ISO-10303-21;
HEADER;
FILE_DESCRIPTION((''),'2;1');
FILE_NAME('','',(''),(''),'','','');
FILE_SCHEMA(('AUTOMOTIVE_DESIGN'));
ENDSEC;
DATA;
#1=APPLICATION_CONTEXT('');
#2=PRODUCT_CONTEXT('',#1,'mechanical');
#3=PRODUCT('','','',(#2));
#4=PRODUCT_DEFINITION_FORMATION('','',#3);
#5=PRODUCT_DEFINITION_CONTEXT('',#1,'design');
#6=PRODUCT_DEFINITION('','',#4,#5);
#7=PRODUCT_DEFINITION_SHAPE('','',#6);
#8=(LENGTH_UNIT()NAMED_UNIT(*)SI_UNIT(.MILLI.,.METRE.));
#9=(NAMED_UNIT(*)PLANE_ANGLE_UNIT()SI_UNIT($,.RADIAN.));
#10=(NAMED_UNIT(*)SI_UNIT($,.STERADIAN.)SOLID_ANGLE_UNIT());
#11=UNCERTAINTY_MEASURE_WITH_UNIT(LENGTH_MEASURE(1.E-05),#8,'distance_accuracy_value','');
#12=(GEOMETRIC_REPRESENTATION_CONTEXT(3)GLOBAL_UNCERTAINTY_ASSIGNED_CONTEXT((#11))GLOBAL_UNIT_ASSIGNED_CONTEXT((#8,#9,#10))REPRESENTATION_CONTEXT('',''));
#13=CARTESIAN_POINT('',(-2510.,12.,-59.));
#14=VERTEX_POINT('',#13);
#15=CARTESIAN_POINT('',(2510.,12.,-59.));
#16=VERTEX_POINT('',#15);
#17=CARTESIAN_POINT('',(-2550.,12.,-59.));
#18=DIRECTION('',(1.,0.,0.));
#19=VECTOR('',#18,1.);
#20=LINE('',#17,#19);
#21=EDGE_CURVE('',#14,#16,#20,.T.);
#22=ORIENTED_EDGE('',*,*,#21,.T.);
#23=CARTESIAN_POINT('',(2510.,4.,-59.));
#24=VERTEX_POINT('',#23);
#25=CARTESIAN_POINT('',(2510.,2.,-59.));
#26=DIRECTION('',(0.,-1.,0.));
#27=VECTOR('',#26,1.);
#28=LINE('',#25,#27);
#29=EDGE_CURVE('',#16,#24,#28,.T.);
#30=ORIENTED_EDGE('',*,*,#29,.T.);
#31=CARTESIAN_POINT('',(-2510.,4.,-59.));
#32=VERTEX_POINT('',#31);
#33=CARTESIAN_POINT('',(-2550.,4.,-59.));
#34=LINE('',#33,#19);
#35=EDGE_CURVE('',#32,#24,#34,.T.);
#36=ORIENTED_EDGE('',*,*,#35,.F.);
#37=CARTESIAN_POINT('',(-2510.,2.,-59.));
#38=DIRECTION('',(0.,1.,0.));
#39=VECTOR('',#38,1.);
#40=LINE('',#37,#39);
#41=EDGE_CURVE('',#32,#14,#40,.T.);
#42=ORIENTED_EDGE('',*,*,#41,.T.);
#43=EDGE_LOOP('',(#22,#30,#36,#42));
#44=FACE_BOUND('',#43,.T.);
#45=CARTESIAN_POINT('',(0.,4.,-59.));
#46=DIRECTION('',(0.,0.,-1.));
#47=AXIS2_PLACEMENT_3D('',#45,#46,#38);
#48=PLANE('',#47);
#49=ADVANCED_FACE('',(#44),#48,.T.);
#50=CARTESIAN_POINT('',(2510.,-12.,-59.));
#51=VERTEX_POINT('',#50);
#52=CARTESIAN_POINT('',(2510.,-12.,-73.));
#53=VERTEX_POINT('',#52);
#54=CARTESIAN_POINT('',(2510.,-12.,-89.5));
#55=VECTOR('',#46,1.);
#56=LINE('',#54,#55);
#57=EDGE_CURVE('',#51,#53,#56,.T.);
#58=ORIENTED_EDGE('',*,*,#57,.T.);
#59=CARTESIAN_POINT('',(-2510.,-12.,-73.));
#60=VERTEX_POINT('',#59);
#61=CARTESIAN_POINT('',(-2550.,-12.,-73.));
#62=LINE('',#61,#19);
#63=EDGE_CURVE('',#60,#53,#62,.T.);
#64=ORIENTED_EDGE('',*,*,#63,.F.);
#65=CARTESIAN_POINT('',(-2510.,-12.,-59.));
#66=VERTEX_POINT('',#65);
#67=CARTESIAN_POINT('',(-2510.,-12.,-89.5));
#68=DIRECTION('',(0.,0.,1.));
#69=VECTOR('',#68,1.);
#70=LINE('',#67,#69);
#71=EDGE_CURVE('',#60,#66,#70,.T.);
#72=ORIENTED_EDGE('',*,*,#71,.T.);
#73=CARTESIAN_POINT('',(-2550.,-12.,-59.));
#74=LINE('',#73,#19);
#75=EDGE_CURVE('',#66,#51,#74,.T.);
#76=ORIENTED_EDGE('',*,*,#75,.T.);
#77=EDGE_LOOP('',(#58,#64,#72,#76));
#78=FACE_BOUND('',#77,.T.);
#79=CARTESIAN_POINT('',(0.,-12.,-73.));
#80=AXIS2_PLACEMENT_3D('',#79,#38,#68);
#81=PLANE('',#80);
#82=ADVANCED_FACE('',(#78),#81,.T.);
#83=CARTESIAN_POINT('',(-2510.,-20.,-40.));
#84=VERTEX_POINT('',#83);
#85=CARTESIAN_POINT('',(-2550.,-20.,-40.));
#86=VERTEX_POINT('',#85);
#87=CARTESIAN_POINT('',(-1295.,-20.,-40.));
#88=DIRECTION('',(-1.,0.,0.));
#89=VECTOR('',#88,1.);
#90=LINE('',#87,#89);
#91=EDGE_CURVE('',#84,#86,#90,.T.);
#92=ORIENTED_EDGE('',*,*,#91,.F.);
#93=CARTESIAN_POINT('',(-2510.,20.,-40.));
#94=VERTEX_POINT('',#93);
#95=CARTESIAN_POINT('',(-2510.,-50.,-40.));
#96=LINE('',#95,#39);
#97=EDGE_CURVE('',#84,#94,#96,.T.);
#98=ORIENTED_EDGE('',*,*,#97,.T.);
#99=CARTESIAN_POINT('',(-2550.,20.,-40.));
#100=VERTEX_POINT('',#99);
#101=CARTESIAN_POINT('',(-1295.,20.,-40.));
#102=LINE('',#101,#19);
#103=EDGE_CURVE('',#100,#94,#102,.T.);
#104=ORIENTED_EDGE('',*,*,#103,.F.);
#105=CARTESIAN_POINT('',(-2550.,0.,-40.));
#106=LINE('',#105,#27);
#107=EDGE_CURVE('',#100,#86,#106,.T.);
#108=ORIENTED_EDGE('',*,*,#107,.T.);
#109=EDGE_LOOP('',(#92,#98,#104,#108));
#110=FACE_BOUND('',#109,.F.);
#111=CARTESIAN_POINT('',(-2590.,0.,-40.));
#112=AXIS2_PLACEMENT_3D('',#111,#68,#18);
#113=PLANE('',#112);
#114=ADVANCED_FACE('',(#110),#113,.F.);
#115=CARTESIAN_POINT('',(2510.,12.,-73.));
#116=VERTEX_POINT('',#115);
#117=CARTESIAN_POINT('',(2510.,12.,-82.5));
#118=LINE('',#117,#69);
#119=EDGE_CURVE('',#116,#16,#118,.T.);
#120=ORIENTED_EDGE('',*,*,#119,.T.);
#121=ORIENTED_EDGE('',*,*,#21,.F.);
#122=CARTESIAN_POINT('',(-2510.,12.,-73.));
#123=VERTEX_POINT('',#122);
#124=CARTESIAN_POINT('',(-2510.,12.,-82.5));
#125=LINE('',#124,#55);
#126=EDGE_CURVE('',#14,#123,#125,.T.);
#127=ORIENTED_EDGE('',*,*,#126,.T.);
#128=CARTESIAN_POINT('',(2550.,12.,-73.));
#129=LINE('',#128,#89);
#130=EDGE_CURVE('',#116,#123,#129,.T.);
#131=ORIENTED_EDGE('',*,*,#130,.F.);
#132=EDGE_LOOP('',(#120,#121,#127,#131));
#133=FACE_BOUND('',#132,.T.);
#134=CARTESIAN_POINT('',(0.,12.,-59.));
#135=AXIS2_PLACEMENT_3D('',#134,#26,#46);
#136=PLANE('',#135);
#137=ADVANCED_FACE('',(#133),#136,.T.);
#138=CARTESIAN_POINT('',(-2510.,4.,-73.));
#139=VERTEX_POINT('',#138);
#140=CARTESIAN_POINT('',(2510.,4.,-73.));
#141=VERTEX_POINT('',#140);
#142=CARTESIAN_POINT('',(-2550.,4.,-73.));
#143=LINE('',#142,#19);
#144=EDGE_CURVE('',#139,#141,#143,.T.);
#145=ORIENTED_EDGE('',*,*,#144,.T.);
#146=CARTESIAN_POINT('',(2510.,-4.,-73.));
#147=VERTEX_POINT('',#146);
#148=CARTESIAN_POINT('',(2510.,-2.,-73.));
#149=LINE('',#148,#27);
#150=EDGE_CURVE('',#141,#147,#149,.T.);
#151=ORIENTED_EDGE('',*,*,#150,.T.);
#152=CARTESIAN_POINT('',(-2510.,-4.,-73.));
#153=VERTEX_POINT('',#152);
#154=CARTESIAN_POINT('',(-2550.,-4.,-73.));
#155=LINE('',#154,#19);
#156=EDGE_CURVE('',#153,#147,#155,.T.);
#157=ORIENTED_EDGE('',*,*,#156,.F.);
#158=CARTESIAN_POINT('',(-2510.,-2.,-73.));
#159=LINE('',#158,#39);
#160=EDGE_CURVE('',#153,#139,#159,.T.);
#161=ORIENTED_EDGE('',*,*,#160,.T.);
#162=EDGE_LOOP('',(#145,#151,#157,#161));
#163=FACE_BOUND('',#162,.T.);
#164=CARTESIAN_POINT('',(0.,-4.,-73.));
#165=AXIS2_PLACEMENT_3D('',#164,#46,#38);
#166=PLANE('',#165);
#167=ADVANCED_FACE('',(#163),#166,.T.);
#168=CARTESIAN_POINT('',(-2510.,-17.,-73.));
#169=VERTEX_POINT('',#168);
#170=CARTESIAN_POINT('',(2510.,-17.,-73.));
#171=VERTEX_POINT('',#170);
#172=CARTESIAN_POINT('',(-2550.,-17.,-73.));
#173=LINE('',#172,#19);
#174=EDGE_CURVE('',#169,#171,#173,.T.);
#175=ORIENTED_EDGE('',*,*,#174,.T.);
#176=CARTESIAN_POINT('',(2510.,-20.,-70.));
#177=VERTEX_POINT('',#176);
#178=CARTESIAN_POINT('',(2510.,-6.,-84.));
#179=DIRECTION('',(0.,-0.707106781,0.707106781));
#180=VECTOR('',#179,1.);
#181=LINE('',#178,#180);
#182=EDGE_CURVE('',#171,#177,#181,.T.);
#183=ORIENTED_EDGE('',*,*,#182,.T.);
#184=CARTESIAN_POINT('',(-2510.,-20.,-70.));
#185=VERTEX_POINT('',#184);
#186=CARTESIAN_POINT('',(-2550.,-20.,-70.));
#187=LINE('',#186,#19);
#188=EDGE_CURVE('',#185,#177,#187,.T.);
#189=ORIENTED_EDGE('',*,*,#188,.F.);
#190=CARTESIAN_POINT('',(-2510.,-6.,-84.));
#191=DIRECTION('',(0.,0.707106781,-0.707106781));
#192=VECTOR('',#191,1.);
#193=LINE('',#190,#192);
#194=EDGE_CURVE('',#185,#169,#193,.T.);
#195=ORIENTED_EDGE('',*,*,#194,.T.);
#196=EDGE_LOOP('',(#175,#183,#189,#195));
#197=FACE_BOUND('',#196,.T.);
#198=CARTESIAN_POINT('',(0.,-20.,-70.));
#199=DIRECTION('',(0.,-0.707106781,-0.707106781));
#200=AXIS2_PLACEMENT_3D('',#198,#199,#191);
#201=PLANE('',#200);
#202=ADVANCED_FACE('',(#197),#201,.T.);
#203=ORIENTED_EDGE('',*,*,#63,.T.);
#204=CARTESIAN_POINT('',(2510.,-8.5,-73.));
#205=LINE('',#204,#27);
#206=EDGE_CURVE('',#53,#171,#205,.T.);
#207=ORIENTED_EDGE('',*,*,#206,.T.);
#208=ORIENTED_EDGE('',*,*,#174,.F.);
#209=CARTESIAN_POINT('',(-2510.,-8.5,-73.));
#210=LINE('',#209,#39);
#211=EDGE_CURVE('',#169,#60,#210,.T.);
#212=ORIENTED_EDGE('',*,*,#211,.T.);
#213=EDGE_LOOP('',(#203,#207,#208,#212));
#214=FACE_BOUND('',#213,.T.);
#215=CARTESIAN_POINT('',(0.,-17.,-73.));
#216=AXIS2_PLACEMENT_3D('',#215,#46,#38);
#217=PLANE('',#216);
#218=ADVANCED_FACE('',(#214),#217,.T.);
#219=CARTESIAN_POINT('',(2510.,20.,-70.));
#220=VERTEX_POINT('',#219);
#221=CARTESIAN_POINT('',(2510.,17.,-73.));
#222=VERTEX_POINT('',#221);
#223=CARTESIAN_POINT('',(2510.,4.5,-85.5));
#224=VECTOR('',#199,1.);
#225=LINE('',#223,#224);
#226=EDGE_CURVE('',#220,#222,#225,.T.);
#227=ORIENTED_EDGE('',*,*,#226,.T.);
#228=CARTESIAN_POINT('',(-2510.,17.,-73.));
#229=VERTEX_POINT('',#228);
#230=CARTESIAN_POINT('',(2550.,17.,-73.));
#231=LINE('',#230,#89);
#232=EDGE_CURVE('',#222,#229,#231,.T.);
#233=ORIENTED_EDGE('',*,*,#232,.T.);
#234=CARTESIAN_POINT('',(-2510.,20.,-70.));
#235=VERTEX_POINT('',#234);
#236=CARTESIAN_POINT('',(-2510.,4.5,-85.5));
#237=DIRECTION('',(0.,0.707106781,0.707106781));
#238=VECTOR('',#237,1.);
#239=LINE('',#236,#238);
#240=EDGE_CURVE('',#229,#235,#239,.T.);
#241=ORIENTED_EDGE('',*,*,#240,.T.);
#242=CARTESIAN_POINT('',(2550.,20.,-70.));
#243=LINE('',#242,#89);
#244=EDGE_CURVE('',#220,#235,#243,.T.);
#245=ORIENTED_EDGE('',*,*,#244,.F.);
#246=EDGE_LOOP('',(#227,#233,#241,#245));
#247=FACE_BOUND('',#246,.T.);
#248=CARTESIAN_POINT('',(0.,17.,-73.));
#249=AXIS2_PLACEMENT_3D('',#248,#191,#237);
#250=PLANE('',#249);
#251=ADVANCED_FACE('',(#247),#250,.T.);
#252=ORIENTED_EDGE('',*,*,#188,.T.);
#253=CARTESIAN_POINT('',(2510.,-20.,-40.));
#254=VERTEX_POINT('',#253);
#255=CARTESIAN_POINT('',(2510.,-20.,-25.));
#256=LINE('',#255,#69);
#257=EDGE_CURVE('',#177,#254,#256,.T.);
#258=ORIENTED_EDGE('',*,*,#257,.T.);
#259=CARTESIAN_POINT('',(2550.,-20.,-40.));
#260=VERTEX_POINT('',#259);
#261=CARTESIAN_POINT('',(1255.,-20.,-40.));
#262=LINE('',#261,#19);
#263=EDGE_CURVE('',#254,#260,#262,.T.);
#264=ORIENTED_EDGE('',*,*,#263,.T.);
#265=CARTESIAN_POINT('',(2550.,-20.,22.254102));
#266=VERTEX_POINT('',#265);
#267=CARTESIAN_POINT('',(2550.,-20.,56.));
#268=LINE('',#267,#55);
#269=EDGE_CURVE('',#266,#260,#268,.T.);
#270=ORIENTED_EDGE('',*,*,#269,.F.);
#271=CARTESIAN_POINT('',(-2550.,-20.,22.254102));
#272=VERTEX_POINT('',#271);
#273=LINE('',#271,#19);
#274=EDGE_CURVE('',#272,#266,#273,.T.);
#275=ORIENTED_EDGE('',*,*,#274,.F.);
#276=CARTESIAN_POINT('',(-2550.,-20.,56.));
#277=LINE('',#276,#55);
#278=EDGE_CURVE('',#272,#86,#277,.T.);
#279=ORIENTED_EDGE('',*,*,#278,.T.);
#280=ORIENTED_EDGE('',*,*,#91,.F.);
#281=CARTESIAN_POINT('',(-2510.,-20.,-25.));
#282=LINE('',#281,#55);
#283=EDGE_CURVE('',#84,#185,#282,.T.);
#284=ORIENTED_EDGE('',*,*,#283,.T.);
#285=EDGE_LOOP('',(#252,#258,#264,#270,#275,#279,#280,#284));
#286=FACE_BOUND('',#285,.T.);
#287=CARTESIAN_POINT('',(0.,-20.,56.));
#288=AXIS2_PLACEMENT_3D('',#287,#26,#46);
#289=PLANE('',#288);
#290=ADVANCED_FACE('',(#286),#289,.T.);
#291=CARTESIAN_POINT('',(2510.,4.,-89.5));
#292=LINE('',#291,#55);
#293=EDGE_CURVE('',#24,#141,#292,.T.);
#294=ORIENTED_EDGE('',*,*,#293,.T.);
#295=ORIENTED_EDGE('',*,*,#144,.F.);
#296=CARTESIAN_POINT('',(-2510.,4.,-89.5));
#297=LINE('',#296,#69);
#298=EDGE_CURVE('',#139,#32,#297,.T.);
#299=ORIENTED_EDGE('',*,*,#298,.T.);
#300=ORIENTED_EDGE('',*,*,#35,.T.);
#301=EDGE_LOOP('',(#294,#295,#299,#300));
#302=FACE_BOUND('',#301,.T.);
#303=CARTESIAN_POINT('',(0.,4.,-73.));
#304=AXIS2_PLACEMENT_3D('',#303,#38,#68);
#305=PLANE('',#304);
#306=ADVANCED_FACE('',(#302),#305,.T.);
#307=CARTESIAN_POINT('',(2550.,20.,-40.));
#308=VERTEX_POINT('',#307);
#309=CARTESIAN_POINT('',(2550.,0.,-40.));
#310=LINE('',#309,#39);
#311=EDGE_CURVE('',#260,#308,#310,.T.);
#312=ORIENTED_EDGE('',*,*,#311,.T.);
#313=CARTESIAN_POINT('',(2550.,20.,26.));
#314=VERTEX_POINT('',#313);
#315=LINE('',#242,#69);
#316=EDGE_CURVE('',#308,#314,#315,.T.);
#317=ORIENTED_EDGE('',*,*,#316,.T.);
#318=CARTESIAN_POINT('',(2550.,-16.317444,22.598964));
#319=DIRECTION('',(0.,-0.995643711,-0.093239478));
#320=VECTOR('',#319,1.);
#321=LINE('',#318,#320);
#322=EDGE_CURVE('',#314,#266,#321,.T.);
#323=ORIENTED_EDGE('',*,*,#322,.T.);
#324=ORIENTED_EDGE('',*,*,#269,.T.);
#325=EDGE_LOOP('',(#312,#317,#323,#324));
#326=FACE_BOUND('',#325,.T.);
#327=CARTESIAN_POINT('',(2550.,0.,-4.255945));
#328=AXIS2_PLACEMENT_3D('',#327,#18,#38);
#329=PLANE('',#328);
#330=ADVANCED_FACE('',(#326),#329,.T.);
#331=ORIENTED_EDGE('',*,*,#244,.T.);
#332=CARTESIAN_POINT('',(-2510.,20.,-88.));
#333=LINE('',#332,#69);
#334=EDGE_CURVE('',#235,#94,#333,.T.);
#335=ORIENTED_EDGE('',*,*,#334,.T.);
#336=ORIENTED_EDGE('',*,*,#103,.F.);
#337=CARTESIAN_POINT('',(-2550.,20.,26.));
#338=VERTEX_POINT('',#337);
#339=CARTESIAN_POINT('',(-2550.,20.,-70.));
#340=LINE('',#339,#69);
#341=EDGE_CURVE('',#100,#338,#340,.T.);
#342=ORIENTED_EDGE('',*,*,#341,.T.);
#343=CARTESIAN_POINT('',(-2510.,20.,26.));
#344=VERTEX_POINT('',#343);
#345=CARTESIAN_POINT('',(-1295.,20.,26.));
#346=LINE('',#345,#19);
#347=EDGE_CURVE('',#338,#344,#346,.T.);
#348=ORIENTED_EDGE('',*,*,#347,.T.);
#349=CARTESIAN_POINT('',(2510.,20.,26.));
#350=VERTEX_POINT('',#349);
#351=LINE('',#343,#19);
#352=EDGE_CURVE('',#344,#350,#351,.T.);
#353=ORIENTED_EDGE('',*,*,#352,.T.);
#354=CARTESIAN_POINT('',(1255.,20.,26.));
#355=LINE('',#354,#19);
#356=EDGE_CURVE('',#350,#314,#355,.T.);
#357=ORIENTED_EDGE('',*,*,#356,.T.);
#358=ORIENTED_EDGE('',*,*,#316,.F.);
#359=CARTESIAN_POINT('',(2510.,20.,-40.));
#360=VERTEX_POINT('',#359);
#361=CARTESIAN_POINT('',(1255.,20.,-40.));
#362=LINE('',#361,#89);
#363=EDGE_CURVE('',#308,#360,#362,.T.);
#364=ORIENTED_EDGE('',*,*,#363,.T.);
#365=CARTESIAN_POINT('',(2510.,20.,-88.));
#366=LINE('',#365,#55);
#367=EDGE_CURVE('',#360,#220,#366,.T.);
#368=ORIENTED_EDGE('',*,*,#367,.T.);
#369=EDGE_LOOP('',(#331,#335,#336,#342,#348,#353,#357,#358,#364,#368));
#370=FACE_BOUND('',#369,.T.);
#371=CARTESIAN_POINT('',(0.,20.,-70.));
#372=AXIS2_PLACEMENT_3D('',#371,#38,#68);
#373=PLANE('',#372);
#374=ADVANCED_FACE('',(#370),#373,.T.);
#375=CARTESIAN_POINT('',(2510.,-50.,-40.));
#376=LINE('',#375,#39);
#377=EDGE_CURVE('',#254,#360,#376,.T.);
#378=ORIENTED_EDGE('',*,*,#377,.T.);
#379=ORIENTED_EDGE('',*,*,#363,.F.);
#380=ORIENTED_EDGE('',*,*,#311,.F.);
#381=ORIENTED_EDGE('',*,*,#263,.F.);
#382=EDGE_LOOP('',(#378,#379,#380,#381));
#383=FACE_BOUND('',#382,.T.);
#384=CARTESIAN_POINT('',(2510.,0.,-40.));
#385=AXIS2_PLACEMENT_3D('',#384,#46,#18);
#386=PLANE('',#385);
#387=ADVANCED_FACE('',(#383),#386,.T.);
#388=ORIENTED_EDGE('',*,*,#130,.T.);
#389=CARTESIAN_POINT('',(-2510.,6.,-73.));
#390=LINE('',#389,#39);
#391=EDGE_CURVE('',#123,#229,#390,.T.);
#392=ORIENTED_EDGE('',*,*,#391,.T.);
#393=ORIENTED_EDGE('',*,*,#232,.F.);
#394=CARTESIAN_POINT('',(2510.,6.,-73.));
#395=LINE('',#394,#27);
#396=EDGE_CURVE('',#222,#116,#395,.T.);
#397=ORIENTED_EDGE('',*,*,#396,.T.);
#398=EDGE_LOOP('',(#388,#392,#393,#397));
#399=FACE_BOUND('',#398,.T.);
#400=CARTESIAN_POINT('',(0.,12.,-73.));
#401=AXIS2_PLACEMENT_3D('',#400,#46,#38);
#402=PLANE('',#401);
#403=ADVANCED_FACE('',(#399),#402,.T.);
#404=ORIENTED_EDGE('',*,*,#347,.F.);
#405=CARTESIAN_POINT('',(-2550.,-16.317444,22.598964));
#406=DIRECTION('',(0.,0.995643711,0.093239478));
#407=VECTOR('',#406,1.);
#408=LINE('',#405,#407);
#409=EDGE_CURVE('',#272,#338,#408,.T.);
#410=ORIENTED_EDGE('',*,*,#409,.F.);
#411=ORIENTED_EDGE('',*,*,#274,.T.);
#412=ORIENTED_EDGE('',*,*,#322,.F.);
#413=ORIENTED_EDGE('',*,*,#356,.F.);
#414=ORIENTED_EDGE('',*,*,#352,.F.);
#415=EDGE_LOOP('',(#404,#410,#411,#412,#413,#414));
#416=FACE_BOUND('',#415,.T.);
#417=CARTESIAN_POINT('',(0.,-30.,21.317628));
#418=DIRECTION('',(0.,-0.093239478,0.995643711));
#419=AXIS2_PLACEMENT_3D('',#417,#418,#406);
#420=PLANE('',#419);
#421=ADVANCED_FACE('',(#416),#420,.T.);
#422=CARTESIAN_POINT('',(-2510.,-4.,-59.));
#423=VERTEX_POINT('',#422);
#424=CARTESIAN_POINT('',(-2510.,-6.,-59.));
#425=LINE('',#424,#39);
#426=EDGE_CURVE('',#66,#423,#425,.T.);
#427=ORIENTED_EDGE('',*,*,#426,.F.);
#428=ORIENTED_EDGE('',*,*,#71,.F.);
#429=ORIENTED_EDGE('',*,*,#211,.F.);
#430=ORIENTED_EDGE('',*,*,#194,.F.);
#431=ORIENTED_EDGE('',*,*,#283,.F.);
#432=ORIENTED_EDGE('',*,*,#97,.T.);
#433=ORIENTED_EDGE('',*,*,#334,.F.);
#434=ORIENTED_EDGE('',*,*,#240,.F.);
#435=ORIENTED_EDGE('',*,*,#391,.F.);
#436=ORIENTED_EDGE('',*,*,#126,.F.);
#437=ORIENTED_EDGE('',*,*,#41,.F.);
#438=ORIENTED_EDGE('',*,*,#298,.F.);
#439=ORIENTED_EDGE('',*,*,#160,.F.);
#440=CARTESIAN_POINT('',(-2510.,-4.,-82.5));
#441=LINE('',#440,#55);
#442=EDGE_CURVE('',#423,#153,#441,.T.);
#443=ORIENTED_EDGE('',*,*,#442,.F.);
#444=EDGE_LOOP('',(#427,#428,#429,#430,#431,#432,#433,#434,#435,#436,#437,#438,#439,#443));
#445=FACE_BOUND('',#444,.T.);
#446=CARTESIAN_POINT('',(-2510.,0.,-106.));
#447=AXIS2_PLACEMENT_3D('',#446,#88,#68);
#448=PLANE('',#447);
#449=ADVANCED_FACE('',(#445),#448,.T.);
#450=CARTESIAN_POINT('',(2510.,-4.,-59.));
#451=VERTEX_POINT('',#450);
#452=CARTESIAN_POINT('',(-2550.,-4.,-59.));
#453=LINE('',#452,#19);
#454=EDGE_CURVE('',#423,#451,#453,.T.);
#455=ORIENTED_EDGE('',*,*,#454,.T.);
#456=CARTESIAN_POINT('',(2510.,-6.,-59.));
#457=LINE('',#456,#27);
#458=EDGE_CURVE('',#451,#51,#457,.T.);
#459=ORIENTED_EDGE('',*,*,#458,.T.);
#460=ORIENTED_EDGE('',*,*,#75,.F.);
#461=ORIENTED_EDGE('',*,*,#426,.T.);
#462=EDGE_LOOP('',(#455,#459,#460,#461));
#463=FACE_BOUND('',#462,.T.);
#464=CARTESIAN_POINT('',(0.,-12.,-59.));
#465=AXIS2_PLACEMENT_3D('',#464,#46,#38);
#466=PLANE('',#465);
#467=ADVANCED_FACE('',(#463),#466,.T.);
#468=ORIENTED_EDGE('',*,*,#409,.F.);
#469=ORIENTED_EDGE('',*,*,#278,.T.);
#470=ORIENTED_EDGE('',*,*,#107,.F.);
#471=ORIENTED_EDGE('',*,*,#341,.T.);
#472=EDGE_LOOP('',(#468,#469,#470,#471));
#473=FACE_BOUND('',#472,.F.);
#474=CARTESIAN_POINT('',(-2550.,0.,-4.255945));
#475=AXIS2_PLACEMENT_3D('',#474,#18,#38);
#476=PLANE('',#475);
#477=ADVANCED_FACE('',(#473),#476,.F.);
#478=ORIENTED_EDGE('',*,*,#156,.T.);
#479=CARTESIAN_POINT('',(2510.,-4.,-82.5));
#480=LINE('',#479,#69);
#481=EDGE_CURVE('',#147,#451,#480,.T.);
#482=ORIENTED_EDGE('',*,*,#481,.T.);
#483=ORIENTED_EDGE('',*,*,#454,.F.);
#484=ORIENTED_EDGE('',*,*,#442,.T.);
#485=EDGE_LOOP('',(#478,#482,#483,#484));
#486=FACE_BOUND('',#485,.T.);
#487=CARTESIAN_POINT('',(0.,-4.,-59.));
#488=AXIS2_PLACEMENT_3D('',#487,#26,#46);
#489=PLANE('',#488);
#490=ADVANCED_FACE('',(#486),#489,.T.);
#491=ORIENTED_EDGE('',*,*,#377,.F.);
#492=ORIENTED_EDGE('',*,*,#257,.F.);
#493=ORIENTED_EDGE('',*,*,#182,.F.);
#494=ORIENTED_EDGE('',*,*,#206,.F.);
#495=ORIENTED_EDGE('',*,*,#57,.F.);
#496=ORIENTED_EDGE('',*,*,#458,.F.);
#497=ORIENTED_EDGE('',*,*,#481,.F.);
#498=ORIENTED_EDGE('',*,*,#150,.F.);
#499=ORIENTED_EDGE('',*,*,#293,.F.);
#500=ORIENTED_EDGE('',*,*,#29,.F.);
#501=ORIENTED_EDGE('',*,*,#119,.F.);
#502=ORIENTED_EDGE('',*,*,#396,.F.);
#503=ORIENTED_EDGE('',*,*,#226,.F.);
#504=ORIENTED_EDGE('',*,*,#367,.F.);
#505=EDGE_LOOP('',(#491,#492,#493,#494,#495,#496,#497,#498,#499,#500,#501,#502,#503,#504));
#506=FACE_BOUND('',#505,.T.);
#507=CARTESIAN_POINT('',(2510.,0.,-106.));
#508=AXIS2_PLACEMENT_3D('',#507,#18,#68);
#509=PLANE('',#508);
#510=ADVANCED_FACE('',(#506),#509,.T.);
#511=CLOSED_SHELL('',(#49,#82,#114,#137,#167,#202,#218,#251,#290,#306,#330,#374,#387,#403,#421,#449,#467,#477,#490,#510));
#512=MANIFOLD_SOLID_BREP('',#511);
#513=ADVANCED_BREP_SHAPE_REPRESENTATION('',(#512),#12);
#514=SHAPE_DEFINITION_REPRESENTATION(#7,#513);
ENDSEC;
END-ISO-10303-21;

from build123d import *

# Parameters (mm, degrees)
F1_DEPTH      = 2550
F2_W          = 80
F2_H          = 66
F3_DEPTH      = 50
F6_DEPTH      = 2550.001
F6_DEPTH_BACK = 2550.001


with BuildPart() as f1:
    # F0 (on Right) → F1 (new body, symmetric)
    with BuildSketch(Plane.YZ):
        Polygon((20, -70), (20, 56), (17, 59), (12, 59), (12, 73), (4, 73), (4, 59), (-4, 59), (-4, 73), (-12, 73), (-12, 59), (-17, 59), (-20, 56), (-20, -70), (-17, -73), (-12, -73), (-12, -59), (-4, -59), (-4, -73), (4, -73), (4, -59), (12, -59), (12, -73), (17, -73), align=None)
    extrude(amount=F1_DEPTH, both=True)

    # F2 (on Front) → F3 (cut, symmetric)
    with BuildSketch(Plane.XZ):
        with Locations((-2550, 59)):
            Rectangle(F2_W, F2_H)
        with Locations((-2550, -73)):
            Rectangle(F2_W, F2_H)
        with Locations((2550, 59)):
            Rectangle(F2_W, F2_H)
        with Locations((2550, -73)):
            Rectangle(F2_W, F2_H)
    extrude(amount=F3_DEPTH, both=True, mode=Mode.SUBTRACT)

    # F5 (on Right) → F6 (cut, two sides)
    with BuildSketch(Plane.YZ) as f6_sk:
        Polygon((-30, 83), (-30, 21.317628), (30, 26.936474), (30, 83), align=None)
    extrude(amount=F6_DEPTH, mode=Mode.SUBTRACT)
    extrude(f6_sk.sketch, amount=-F6_DEPTH_BACK, mode=Mode.SUBTRACT)


solid = f1.part
